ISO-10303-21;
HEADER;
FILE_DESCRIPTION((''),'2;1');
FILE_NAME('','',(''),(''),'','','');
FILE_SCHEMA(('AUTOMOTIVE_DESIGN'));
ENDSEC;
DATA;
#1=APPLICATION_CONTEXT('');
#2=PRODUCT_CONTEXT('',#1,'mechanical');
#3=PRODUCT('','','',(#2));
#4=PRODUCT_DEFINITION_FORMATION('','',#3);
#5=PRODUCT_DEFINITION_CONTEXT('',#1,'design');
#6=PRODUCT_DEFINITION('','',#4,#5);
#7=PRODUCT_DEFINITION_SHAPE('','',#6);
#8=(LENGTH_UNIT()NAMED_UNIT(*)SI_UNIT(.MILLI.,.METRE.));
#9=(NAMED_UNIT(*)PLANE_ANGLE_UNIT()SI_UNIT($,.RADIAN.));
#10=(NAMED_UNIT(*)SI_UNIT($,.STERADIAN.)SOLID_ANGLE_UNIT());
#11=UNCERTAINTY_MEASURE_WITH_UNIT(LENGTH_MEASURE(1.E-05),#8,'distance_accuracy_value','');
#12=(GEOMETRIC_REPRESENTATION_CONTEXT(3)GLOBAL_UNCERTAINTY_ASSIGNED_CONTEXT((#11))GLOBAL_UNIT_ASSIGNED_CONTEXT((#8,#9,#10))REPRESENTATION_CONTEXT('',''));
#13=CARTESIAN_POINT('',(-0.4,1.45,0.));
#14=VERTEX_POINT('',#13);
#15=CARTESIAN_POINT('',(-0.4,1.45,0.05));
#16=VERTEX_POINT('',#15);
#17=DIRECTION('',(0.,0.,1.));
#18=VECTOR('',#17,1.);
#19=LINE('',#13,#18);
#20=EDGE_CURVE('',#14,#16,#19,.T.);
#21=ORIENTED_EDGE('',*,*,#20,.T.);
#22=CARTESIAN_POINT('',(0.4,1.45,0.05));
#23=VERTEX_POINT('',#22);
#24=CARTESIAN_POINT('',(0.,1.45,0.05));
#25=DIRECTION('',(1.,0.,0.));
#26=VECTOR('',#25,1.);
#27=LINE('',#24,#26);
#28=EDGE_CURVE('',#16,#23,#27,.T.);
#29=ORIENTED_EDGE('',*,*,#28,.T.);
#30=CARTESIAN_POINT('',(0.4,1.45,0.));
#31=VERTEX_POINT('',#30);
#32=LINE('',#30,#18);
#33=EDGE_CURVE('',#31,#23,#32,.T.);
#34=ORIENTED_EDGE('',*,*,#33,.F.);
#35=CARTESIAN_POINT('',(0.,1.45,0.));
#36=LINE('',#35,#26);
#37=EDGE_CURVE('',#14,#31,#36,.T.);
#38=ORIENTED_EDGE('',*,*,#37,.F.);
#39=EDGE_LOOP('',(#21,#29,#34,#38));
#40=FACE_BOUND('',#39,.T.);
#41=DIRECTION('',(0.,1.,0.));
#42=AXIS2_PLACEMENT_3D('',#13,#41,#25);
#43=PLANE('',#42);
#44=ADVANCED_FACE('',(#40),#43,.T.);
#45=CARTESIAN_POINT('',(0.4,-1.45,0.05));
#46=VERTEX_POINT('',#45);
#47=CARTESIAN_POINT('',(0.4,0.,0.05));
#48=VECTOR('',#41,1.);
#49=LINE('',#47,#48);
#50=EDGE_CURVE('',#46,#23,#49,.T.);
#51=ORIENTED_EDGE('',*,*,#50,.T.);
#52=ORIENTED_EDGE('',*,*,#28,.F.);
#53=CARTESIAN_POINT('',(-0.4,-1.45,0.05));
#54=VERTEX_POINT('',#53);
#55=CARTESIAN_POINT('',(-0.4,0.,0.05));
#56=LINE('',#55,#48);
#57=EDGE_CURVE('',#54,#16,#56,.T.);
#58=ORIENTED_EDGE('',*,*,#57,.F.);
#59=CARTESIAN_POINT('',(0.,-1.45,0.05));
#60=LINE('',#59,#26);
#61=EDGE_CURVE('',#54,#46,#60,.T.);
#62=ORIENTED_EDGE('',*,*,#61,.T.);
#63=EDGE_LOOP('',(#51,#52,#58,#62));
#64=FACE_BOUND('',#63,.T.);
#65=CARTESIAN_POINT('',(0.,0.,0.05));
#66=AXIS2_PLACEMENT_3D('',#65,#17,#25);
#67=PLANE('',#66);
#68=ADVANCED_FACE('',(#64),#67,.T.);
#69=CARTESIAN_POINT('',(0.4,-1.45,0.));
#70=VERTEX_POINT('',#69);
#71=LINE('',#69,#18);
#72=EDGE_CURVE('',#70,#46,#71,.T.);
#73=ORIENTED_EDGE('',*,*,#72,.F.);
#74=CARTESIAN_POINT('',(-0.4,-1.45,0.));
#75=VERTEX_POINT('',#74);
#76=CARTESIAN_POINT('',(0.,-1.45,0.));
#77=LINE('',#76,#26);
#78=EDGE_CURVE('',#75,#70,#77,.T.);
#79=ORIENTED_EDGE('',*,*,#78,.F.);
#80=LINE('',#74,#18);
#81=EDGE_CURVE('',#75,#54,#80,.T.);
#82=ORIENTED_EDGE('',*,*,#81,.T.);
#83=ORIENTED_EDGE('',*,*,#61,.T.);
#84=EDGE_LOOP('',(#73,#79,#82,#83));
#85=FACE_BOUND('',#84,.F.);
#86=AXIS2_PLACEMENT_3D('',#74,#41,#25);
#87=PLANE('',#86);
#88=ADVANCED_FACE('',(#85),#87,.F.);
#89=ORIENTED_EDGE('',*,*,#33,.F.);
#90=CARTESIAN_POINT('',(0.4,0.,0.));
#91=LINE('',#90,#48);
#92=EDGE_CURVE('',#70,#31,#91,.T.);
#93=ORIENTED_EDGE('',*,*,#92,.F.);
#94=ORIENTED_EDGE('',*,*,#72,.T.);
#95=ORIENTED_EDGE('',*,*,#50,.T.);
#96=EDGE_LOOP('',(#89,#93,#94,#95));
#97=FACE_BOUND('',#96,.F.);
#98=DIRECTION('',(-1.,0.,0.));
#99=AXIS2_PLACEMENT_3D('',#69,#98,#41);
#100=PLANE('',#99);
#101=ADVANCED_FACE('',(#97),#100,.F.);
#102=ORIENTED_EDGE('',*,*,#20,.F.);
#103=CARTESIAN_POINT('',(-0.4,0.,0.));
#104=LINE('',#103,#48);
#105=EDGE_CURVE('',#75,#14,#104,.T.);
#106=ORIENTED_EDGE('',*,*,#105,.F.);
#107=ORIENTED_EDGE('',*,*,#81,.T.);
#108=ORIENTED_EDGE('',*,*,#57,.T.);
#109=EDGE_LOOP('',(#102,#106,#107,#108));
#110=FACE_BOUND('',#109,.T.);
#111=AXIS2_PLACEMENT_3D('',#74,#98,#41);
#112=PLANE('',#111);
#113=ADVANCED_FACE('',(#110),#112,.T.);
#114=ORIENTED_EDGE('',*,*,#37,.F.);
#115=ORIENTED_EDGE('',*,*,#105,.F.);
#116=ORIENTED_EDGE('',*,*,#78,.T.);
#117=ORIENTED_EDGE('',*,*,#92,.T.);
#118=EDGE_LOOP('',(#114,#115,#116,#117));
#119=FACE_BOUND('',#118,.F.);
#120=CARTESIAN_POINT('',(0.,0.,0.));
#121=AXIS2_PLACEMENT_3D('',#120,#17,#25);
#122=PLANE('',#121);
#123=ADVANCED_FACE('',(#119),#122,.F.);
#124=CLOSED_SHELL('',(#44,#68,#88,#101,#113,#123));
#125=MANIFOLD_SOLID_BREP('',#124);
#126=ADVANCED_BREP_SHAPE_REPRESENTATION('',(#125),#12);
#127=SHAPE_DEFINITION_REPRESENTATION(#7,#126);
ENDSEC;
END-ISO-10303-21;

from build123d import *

# Parameters (mm, degrees)
SKETCH_W  = 0.8
SKETCH_H  = 2.9
PAD_DEPTH = 0.05


with BuildPart() as part:
    # Sketch → Pad (new body)
    with BuildSketch(Plane.XY):
        Rectangle(SKETCH_W, SKETCH_H)
    extrude(amount=PAD_DEPTH)


solid = part.part
